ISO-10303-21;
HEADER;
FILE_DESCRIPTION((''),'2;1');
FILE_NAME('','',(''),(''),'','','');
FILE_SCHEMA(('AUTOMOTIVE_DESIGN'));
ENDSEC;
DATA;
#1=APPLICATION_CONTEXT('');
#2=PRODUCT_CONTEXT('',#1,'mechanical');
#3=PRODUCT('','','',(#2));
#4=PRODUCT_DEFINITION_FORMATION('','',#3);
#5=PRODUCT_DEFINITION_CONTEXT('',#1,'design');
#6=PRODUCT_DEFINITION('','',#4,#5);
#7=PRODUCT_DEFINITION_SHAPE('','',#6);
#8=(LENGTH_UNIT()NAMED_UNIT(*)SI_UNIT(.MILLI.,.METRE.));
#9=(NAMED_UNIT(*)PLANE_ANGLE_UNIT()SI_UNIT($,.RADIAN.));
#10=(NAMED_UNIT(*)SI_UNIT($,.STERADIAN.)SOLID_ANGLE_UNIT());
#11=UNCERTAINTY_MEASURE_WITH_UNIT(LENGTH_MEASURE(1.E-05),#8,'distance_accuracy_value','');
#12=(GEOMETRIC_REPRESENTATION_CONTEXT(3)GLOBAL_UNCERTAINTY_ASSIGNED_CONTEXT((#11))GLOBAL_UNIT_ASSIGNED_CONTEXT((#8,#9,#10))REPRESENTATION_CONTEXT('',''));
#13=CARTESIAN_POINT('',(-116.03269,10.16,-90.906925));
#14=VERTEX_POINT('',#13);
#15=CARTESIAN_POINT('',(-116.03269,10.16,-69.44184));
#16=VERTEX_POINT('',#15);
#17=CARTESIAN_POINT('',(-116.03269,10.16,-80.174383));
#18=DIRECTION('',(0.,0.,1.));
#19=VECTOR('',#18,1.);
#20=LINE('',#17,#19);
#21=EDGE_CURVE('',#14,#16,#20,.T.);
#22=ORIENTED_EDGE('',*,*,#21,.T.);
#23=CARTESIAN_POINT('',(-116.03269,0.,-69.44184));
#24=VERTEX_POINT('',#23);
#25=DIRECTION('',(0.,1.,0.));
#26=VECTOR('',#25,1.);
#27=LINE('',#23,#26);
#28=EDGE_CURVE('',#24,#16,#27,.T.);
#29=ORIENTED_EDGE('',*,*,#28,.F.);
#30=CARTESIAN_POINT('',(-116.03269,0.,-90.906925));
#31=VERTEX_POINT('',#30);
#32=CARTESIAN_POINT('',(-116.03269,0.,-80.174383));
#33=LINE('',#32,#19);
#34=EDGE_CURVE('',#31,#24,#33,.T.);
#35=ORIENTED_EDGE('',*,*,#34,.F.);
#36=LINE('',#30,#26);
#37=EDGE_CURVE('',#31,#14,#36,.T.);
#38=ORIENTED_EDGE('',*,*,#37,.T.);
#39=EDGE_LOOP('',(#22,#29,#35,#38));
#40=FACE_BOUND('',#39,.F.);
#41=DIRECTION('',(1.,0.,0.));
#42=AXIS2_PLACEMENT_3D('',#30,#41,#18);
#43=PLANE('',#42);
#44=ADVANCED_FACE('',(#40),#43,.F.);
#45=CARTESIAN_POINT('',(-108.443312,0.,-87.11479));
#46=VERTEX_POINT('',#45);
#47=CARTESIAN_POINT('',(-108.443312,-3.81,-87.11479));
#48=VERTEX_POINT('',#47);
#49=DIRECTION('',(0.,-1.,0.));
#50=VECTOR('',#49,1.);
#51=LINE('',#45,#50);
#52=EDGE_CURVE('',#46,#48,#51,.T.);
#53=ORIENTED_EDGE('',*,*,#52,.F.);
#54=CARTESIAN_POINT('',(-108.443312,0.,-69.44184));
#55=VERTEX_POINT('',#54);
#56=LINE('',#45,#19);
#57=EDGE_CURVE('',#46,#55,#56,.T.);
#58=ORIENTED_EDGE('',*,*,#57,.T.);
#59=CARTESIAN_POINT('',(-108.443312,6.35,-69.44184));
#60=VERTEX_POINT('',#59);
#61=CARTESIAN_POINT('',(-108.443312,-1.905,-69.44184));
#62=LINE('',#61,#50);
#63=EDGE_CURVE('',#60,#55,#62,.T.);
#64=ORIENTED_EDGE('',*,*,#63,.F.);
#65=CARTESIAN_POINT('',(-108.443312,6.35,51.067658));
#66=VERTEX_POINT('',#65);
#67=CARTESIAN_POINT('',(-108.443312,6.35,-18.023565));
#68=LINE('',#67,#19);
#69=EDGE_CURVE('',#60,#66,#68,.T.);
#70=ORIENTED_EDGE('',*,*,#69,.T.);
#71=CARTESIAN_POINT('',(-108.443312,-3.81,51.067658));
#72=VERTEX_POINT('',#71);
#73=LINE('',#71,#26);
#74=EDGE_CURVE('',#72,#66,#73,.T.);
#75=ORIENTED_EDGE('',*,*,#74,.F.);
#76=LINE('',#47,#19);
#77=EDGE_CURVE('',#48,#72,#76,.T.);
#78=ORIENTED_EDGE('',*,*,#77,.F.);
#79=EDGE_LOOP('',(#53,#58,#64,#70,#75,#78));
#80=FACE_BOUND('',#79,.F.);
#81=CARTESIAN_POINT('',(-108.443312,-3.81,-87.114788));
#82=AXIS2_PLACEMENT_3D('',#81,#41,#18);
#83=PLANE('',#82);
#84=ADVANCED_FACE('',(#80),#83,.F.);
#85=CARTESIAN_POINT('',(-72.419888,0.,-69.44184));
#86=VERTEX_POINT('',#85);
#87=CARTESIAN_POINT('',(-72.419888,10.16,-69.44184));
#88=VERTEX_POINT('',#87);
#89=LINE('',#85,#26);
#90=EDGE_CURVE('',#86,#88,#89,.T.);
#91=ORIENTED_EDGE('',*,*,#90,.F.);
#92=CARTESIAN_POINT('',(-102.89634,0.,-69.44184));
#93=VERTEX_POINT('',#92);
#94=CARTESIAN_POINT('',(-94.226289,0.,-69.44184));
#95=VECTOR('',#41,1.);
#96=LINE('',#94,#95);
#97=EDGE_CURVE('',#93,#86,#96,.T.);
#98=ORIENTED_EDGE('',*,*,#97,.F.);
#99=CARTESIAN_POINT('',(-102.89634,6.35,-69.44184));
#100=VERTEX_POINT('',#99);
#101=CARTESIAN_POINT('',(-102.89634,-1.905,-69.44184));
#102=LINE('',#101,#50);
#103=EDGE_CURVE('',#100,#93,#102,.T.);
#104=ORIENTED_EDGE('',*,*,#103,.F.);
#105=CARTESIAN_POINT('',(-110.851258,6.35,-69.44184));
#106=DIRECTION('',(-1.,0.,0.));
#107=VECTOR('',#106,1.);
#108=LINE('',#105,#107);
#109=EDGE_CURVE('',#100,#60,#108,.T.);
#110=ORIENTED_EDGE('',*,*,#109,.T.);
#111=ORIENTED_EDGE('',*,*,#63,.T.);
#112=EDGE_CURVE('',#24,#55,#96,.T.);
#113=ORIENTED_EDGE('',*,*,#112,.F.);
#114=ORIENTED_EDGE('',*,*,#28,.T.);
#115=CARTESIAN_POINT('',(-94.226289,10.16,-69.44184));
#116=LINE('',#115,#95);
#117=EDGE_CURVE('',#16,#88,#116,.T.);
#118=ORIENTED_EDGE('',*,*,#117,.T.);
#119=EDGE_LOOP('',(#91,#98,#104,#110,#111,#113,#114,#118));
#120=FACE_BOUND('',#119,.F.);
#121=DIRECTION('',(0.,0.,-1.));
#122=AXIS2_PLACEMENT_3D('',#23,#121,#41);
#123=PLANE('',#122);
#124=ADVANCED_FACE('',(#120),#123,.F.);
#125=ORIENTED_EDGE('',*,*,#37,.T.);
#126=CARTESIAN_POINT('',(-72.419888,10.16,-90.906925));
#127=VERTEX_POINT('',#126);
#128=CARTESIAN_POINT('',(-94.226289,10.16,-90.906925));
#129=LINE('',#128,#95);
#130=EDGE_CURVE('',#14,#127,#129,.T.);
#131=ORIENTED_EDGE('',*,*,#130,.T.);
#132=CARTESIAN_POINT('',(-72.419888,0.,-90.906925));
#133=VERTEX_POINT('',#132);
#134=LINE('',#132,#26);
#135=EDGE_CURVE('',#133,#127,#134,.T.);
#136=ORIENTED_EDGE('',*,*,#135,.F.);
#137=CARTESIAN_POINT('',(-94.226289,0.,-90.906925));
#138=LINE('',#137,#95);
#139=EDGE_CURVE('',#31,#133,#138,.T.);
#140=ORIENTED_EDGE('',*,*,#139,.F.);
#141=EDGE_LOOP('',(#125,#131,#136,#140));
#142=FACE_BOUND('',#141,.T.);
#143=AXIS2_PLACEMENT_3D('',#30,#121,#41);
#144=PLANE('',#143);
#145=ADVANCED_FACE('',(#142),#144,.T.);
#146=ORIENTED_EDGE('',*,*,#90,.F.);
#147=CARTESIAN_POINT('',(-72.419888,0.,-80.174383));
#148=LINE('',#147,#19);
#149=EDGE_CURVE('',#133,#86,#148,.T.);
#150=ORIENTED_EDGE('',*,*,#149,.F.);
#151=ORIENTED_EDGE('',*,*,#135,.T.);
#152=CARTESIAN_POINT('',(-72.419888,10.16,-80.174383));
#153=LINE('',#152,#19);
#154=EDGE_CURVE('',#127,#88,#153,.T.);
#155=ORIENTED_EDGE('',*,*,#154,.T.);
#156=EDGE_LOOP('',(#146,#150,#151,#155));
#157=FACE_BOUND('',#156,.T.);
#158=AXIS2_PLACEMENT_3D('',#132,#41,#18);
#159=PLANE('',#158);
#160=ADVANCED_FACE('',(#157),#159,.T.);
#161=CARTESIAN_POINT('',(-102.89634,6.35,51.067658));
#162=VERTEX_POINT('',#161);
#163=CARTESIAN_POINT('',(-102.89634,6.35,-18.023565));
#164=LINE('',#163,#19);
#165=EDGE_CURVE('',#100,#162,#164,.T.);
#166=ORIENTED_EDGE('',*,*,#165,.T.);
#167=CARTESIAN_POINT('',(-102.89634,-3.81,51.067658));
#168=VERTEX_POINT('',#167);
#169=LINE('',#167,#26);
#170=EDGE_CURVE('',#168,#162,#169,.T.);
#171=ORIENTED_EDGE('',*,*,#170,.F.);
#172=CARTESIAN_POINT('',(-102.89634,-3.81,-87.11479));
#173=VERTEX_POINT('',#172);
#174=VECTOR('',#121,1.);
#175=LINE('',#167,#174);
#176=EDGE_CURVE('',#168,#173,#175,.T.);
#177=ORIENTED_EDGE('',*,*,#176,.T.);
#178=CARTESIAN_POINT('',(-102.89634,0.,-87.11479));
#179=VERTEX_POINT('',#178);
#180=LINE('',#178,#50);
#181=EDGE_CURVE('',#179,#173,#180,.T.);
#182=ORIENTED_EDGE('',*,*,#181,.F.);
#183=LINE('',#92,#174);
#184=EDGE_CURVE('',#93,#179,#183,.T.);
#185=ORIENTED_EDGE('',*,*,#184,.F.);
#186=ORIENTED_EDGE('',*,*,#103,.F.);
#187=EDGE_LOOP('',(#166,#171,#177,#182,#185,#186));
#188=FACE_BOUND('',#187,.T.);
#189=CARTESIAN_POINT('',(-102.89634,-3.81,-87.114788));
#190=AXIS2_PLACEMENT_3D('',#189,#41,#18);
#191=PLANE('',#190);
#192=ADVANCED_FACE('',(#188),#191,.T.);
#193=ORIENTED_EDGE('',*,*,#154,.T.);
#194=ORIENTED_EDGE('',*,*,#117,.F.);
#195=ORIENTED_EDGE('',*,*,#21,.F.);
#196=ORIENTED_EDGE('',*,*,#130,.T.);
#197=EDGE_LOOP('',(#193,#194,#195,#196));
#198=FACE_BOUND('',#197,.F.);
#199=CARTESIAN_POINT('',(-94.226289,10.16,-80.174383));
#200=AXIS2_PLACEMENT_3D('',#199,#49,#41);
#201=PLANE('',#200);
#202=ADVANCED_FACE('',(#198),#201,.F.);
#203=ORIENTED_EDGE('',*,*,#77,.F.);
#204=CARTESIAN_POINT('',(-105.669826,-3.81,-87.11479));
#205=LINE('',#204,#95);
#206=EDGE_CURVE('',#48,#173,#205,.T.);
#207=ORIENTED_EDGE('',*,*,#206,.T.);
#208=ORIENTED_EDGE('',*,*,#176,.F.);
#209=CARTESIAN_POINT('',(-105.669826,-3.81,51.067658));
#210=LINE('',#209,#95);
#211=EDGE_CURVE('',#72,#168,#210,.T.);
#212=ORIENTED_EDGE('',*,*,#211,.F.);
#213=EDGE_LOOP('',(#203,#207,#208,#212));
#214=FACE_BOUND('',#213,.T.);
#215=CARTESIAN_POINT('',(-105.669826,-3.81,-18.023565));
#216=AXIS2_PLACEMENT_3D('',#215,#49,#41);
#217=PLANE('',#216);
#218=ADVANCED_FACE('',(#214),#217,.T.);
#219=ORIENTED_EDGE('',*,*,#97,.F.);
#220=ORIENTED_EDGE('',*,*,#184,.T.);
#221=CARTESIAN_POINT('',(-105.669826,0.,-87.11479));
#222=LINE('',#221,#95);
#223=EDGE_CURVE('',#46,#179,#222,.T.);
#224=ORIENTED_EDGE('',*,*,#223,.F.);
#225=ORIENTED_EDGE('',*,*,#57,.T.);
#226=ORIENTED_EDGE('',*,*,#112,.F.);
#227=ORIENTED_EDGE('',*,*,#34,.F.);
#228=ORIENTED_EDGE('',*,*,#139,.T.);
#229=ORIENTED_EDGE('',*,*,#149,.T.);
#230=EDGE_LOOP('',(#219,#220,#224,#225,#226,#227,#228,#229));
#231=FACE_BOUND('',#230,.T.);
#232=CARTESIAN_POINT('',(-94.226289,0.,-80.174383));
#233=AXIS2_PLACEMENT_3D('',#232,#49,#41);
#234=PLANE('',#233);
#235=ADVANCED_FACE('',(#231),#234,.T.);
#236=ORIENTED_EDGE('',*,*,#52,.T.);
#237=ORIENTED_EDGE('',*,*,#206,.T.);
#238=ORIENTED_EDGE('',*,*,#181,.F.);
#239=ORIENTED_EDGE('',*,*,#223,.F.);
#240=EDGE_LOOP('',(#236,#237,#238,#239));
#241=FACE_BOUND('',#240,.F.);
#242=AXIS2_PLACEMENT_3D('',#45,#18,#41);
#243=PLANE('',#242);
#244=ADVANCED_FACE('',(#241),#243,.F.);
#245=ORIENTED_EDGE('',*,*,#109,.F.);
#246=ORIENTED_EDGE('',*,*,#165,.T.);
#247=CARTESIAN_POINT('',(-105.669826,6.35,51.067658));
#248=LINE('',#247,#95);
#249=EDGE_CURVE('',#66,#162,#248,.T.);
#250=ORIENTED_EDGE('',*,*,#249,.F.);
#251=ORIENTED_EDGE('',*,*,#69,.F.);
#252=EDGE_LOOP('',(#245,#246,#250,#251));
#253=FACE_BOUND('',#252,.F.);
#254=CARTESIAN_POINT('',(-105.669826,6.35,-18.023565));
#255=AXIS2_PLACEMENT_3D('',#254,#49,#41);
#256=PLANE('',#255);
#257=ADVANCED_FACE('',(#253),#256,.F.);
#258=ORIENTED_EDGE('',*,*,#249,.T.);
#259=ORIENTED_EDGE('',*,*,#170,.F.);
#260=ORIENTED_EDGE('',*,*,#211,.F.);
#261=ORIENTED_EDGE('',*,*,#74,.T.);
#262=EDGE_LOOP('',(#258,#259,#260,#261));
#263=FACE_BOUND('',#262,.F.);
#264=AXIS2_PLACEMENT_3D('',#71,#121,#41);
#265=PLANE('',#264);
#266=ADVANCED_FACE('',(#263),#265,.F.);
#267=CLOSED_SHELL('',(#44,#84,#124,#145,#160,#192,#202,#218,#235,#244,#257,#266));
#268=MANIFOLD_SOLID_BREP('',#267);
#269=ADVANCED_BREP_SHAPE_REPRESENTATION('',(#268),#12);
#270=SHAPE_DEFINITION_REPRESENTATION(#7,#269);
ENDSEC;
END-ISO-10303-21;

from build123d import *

# Parameters (mm, degrees)
F0_W      = 5.546972
F0_H      = 138.182447
F1_DEPTH  = 3.81
F2_W      = 43.612801
F2_H      = 21.465085
F1_FACE_W = 5.546972
F1_FACE_H = 138.182446
F3_DEPTH  = 10.16


with BuildPart() as f1:
    # F0 (on Front) → F1 (new body)
    with BuildSketch(Plane.XZ):
        with Locations((-105.669826, -18.023566)):
            Rectangle(F0_W, F0_H)
    extrude(amount=F1_DEPTH)

    # F2 (on Front) + F1_face (on face) → F3 (join)
    with BuildSketch(Plane.XZ):
        with Locations((-94.226289, -80.174383)):
            Rectangle(F2_W, F2_H)
    with BuildSketch(Plane(origin=(-105.669826, -3.81, -18.023565), x_dir=(1, 0, 0), z_dir=(0, -1, 0))):
        Rectangle(F1_FACE_W, F1_FACE_H)
    extrude(amount=-F3_DEPTH)


solid = f1.part
